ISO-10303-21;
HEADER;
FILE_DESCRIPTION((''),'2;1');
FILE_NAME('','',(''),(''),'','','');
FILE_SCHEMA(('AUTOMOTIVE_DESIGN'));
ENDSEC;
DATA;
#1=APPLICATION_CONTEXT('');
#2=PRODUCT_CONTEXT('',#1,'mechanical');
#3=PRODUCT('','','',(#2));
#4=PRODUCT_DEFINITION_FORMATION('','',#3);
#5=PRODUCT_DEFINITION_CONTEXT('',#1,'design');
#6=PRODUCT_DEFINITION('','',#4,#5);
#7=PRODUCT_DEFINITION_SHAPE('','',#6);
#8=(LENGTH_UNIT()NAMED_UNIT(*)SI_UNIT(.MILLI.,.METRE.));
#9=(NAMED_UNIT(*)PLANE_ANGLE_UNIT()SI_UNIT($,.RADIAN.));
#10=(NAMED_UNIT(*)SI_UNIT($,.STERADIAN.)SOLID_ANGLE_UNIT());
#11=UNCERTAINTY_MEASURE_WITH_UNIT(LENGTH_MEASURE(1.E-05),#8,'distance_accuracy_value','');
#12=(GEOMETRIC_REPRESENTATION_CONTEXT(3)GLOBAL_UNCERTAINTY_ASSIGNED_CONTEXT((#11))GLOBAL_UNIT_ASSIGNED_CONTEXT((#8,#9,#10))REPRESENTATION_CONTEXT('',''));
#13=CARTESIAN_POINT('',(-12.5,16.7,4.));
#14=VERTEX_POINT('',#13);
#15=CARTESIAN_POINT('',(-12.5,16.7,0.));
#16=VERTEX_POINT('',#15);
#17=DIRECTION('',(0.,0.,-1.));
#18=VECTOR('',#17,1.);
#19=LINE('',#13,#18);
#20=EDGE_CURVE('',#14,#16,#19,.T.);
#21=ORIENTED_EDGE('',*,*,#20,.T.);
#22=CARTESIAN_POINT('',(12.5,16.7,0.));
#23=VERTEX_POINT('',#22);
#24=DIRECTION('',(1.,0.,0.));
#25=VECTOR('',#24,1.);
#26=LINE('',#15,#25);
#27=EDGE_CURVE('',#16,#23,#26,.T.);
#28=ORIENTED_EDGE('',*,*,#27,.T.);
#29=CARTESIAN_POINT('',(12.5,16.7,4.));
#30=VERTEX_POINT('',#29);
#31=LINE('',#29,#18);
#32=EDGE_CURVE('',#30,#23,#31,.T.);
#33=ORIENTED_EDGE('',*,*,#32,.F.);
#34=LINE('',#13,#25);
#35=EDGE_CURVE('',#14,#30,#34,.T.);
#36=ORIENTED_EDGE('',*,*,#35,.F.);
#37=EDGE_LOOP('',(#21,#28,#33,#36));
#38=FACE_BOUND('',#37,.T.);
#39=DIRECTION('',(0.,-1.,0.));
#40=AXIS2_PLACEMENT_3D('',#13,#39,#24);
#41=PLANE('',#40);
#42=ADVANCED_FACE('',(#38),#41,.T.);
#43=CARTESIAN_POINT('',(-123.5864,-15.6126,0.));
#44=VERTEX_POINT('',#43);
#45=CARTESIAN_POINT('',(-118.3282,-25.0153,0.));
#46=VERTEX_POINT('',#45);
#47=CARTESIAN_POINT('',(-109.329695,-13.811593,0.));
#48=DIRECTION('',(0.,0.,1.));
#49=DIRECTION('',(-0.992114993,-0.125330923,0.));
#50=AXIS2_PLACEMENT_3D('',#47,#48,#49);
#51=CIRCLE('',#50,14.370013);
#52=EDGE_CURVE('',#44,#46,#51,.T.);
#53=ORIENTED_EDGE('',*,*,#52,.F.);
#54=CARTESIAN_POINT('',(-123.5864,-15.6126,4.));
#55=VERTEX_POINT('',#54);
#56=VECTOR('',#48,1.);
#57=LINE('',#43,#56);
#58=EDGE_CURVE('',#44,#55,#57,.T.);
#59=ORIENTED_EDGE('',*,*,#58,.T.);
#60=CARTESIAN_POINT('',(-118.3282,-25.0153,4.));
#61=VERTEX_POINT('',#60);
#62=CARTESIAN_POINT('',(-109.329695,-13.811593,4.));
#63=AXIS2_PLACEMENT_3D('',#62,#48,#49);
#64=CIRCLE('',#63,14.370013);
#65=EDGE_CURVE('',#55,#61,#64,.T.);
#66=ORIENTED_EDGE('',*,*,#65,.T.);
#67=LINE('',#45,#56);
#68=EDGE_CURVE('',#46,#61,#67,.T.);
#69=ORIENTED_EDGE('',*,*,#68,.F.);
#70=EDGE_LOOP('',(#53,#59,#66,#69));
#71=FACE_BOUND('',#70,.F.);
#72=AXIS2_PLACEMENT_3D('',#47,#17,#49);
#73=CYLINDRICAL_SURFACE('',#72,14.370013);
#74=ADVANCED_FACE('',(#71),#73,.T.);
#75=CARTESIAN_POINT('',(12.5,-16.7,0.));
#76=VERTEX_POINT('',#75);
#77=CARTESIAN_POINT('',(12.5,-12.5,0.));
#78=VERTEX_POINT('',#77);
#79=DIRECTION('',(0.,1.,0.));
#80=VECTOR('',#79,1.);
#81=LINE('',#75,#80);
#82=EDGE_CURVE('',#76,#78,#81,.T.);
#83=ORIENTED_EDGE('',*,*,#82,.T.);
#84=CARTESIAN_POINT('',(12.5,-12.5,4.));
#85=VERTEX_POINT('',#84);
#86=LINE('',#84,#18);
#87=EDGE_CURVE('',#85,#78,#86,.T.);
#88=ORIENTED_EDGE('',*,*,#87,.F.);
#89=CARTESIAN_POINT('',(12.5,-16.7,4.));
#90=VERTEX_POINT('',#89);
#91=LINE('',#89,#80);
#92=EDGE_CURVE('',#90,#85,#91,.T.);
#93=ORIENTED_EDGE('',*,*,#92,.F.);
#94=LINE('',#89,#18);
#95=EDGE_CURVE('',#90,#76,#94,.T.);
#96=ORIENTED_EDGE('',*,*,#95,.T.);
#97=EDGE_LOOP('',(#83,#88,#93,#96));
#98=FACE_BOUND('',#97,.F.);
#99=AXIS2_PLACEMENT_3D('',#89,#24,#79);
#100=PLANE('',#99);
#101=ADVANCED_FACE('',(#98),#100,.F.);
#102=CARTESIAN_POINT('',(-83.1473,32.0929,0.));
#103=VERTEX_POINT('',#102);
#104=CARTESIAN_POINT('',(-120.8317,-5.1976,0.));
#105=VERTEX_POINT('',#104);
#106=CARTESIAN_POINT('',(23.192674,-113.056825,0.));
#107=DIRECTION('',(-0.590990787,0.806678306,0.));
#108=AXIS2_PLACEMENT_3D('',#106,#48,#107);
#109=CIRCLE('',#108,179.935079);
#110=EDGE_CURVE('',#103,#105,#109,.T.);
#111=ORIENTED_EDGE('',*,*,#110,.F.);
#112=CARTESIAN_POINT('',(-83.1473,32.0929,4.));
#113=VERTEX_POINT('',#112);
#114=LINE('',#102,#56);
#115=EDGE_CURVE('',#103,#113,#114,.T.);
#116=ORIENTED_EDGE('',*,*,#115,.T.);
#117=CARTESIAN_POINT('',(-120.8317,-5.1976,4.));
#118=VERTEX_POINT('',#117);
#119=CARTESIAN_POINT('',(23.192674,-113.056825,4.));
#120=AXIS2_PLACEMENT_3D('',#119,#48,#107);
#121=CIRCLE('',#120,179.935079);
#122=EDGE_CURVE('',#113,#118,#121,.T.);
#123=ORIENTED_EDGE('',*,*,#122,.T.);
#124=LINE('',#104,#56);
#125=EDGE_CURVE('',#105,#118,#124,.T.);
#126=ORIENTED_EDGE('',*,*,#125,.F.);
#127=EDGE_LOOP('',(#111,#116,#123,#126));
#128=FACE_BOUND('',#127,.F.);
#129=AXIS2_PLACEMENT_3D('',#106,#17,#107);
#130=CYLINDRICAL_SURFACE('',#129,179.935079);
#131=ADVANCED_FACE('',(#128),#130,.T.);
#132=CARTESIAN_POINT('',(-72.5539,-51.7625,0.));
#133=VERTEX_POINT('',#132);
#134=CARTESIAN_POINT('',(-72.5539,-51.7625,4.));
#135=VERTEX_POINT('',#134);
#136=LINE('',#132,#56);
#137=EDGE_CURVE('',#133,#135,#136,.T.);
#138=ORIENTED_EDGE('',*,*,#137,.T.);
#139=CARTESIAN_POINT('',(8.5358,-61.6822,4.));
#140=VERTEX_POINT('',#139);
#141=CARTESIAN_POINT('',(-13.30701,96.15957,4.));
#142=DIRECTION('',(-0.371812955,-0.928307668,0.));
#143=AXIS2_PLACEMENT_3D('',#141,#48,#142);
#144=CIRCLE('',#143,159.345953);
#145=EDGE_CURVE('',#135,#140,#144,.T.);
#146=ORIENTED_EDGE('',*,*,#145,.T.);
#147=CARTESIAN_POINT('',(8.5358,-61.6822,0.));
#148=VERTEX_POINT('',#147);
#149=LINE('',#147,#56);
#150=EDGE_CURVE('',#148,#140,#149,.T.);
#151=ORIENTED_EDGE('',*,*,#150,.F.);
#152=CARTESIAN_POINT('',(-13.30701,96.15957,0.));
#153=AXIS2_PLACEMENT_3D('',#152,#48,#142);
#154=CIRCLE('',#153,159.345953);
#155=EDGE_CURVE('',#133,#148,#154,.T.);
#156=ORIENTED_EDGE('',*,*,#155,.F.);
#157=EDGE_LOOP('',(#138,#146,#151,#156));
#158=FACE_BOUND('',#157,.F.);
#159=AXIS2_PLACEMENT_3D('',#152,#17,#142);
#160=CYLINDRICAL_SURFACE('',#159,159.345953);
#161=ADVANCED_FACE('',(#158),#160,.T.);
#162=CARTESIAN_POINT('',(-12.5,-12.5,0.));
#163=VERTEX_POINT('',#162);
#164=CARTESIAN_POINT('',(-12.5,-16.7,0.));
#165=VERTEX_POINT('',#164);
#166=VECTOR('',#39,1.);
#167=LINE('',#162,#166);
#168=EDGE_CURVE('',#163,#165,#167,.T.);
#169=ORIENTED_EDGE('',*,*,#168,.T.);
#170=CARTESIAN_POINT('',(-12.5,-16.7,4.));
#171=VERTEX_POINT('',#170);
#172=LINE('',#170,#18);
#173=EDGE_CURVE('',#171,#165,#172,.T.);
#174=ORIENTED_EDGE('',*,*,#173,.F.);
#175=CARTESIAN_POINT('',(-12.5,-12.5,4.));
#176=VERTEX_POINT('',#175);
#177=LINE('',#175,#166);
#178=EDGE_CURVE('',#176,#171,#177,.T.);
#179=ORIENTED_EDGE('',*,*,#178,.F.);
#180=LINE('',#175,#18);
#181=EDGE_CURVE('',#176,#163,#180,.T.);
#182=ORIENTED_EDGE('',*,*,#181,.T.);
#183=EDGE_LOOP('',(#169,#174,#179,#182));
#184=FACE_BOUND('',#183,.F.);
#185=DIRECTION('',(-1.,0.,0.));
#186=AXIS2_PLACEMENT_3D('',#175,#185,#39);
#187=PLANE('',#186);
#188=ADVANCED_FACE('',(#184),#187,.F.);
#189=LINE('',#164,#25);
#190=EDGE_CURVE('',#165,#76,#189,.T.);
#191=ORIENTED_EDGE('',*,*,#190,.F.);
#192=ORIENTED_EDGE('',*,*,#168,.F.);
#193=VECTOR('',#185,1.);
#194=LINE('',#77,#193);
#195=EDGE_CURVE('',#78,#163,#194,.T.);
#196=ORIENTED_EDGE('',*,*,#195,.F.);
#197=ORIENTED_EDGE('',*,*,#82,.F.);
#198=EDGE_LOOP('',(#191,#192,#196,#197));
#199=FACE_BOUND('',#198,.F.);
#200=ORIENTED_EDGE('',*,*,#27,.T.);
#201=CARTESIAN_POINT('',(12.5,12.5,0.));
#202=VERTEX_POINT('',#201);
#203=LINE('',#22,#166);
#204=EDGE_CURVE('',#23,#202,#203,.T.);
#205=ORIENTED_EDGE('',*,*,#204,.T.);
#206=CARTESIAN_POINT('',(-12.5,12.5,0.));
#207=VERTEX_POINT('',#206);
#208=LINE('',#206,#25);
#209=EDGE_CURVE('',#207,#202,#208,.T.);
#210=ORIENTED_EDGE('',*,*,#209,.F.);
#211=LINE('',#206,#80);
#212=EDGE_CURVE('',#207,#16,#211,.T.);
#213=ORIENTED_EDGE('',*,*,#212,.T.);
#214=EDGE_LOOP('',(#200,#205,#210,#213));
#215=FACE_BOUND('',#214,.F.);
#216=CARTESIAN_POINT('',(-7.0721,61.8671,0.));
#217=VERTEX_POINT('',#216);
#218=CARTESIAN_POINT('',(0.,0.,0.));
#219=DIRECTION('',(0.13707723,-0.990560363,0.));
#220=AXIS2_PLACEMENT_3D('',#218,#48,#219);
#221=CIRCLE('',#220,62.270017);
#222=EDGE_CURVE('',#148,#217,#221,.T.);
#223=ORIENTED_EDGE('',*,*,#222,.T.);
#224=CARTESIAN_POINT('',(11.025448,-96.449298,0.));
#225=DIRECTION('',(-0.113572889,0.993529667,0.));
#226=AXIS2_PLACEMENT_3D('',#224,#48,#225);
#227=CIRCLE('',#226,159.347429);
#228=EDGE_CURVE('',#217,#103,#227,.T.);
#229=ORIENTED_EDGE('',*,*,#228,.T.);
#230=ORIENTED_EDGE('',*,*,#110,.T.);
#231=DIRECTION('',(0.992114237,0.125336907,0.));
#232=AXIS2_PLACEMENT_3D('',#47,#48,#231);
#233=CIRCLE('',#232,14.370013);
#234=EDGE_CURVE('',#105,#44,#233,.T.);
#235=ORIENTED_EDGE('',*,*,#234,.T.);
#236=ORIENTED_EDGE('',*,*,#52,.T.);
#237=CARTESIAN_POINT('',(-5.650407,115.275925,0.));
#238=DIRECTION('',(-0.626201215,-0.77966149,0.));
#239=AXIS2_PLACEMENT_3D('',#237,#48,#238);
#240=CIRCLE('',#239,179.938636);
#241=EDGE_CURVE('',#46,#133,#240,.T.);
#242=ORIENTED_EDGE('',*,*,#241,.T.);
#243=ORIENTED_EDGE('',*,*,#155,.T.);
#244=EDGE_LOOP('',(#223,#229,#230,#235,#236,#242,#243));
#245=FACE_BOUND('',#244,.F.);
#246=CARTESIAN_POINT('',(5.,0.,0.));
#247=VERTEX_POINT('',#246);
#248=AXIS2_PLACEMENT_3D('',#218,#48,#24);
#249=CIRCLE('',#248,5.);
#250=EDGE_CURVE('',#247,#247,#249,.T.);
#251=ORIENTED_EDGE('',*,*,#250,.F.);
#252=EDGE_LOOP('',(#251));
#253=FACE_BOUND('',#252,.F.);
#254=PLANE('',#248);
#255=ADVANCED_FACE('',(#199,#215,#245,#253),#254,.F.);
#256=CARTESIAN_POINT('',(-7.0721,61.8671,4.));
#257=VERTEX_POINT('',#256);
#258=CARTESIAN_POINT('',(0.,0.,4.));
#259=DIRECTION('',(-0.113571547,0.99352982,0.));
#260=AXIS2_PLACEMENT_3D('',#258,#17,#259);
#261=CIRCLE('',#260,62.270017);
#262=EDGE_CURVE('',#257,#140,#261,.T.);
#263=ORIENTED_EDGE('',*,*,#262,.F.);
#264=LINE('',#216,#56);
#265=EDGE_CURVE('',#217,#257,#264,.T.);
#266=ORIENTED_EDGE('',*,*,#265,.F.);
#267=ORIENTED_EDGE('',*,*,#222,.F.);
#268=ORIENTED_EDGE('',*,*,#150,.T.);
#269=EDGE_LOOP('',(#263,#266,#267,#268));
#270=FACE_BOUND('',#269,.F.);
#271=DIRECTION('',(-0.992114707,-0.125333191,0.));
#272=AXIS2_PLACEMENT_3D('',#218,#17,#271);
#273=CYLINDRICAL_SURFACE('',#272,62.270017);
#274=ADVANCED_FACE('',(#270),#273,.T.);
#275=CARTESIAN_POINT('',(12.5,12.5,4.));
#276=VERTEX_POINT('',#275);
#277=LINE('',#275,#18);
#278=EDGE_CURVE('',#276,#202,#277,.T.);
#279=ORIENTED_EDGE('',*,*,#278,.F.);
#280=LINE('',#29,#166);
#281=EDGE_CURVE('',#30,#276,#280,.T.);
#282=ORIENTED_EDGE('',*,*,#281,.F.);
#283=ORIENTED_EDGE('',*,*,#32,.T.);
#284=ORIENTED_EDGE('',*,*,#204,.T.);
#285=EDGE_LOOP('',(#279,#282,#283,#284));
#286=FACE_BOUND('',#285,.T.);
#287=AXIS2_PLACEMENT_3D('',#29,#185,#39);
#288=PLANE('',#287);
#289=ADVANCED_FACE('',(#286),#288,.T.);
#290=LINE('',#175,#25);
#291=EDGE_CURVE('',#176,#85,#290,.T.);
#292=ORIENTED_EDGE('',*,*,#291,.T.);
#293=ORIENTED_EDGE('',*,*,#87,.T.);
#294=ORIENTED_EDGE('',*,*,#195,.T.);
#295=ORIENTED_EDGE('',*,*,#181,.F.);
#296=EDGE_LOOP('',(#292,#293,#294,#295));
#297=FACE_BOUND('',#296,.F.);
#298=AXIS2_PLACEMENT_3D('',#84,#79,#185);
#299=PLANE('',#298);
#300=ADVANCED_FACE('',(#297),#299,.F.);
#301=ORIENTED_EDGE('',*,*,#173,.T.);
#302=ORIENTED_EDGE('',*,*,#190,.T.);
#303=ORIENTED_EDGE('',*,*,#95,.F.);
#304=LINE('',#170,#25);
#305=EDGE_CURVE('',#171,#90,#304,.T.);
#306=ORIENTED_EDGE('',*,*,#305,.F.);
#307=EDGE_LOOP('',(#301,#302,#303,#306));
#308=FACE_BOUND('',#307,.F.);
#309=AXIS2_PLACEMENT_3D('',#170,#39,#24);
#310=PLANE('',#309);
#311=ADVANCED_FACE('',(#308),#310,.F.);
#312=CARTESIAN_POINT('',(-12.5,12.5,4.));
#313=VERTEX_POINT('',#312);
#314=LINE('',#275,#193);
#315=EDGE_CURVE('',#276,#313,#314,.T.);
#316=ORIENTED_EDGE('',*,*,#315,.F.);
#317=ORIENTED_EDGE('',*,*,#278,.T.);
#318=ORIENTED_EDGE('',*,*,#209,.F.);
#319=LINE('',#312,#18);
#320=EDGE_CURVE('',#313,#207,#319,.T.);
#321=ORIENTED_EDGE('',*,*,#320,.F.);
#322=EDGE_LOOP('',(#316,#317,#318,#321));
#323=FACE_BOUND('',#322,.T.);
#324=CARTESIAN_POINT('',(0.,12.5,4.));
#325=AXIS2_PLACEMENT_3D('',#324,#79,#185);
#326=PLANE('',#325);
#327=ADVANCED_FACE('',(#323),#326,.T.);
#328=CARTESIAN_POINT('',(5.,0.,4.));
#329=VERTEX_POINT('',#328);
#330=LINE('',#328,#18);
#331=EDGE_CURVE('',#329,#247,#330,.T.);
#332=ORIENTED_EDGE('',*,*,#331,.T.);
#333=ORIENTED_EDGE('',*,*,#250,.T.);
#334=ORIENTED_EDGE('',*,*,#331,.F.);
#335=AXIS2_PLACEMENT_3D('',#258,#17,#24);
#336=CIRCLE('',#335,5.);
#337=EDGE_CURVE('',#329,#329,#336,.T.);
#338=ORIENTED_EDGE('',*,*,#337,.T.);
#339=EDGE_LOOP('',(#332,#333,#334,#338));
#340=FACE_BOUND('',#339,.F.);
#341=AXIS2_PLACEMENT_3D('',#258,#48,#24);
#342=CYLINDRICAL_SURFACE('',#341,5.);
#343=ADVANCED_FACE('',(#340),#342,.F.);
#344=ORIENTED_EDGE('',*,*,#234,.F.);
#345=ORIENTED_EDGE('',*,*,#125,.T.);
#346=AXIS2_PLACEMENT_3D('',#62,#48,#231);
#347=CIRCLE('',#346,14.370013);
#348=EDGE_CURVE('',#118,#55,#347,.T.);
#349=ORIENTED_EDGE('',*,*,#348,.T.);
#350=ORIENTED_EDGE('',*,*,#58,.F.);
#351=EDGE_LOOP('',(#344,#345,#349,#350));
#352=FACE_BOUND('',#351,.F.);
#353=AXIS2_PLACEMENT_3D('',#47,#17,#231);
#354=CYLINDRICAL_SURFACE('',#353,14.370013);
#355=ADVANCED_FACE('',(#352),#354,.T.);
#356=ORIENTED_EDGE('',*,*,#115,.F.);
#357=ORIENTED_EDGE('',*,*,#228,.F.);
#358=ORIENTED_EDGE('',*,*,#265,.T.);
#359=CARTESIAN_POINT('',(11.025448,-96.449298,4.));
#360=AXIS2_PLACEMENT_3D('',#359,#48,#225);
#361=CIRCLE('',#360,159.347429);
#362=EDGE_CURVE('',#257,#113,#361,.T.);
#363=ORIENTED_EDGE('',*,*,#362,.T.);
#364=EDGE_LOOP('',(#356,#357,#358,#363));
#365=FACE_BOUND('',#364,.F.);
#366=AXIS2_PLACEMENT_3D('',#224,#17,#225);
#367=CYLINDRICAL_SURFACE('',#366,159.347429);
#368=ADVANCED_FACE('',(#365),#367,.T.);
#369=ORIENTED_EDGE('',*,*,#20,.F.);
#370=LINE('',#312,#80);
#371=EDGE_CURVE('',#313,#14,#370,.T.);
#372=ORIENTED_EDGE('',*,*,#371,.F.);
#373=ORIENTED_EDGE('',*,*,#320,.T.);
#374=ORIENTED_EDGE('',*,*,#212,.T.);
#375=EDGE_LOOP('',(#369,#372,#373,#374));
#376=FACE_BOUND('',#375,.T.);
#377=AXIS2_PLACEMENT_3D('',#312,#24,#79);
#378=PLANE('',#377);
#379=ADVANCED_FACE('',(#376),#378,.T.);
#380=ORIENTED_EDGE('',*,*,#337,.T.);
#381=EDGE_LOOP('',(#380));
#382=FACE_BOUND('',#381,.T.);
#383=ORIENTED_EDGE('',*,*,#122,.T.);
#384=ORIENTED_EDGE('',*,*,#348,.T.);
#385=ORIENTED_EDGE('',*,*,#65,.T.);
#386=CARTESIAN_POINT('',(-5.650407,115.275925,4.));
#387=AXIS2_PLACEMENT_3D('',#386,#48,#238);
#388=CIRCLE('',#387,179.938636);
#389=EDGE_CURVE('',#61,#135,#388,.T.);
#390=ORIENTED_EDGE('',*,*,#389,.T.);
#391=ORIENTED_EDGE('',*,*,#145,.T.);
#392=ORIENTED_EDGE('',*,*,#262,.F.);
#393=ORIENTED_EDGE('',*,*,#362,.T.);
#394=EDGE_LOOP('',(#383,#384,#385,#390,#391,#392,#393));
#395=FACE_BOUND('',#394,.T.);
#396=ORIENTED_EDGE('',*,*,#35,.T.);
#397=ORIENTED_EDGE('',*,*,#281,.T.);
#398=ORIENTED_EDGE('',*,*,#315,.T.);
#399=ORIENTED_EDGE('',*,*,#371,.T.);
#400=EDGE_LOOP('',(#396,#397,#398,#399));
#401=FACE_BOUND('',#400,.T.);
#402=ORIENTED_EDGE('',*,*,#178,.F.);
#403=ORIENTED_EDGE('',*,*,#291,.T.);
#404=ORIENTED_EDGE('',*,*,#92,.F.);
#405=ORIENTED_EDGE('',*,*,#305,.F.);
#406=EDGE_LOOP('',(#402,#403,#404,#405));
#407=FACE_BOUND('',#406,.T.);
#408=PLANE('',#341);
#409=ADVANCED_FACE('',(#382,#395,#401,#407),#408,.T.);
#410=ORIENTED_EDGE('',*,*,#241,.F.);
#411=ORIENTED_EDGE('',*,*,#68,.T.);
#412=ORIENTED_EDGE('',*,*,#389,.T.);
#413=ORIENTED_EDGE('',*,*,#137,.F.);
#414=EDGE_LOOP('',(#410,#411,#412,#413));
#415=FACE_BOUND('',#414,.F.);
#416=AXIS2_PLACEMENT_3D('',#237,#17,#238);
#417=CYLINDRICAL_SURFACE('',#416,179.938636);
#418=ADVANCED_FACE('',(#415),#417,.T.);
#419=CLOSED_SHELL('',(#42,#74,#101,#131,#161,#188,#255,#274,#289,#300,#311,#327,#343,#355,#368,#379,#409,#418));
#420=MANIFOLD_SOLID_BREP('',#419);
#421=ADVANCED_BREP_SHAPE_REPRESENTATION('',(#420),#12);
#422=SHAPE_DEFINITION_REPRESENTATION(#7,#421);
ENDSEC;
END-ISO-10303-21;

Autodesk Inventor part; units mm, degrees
ref_plane "YZ Plane" through (0, 0, 0) normal (1, 0, 0) x (0, 1, 0)
ref_plane "XZ Plane" through (0, 0, 0) normal (0, 1, 0) x (-1, 0, 0)
ref_plane "XY Plane" through (0, 0, 0) normal (0, 0, 1) x (1, 0, 0)
sketch "Boceto1" plane through (0, 0, 0) normal (0, 0, 1) x (1, 0, 0)
  arc A0 (61.779, 7.8045) -> (-61.779, -7.8045) centre (0, 0) ccw
  arc A1 (-95.073, -12.0105) -> (-123.5864, -15.6126) centre (-109.3297, -13.8116) ccw
  line L0 (-127.714, -16.134) -> (-129.5151, -1.8773)
  line L1 (-7.0721, 61.8671) -> (-10.0739, 85.6282)
  line L2 (-10.0739, 85.6282) -> (-129.5151, -1.8773)
  line L3 (-129.5151, -1.8773) -> (-83.1473, 32.0929)
  arc A2 (-7.0721, 61.8671) -> (-83.1473, 32.0929) centre (11.0252, -96.4483) ccw
  arc A3 (-83.1473, 32.0929) -> (-120.8317, -5.1976) centre (23.1947, -113.0592) ccw
  line L4 (4.7522, 0.6003) -> (61.779, 7.8045)
  line L5 (-4.7522, -0.6003) -> (-127.714, -16.134)
  arc A4 (-61.779, -7.8045) -> (61.779, 7.8045) centre (0, 0) ccw
  arc A5 (-123.5864, -15.6126) -> (-95.073, -12.0105) centre (-109.3297, -13.8116) ccw
  line L6 (-127.714, -16.134) -> (-125.913, -30.3907)
  line L7 (8.5358, -61.6822) -> (11.5375, -85.4433)
  line L8 (11.5375, -85.4433) -> (-125.913, -30.3907)
  line L9 (-125.913, -30.3907) -> (-72.5539, -51.7625)
  arc A6 (-72.5539, -51.7625) -> (8.5358, -61.6822) centre (-13.3069, 96.16) ccw
  arc A7 (-118.3282, -25.0153) -> (-72.5539, -51.7625) centre (-5.6507, 115.2755) ccw
  dimension "d0" = 124.54
  dimension "d6" = 28.74
  dimension "d7" = 14.37
  dimension "d8" = 23.95
  dimension "d9" = 57.48
extrude "Extrusión2" add sketch "Boceto1" along normal blind 4 contours A4 A0 | A0 L5 A1 A3 A2 | A6 A7 A5 L5 A4 | L5 A1 | A5 L5
sketch "Boceto2" plane through (0, 0, 4) normal (0, 0, 1) x (1, 0, 0)
  line L0 (0, 0) -> (0, 12.5)
  line L1 (0, 12.5) -> (-12.5, 12.5)
  line L2 (-12.5, 12.5) -> (-12.5, 16.7)
  line L3 (-12.5, 16.7) -> (12.5, 16.7)
  line L4 (12.5, 16.7) -> (12.5, 12.5)
  line L5 (12.5, 12.5) -> (0, 12.5)
  line L6 (0, 0) -> (12.5, 0)
  line L7 (0, 0) -> (0, -12.5)
  line L8 (0, -12.5) -> (-12.5, -12.5)
  line L9 (-12.5, -12.5) -> (-12.5, -16.7)
  line L10 (-12.5, -16.7) -> (12.5, -16.7)
  line L11 (12.5, -16.7) -> (12.5, -12.5)
  line L12 (12.5, -12.5) -> (0, -12.5)
  circle A0 centre (0, 0) radius 5
  dimension "d24" = 12.5
  dimension "d25" = 12.5
  dimension "d26" = 4.2
  dimension "d27" = 25
  dimension "d28" = 10
extrude "Extrusión3" cut sketch "Boceto2" against normal blind 4
properties part number "leva00" material "Madera (abedul)"
